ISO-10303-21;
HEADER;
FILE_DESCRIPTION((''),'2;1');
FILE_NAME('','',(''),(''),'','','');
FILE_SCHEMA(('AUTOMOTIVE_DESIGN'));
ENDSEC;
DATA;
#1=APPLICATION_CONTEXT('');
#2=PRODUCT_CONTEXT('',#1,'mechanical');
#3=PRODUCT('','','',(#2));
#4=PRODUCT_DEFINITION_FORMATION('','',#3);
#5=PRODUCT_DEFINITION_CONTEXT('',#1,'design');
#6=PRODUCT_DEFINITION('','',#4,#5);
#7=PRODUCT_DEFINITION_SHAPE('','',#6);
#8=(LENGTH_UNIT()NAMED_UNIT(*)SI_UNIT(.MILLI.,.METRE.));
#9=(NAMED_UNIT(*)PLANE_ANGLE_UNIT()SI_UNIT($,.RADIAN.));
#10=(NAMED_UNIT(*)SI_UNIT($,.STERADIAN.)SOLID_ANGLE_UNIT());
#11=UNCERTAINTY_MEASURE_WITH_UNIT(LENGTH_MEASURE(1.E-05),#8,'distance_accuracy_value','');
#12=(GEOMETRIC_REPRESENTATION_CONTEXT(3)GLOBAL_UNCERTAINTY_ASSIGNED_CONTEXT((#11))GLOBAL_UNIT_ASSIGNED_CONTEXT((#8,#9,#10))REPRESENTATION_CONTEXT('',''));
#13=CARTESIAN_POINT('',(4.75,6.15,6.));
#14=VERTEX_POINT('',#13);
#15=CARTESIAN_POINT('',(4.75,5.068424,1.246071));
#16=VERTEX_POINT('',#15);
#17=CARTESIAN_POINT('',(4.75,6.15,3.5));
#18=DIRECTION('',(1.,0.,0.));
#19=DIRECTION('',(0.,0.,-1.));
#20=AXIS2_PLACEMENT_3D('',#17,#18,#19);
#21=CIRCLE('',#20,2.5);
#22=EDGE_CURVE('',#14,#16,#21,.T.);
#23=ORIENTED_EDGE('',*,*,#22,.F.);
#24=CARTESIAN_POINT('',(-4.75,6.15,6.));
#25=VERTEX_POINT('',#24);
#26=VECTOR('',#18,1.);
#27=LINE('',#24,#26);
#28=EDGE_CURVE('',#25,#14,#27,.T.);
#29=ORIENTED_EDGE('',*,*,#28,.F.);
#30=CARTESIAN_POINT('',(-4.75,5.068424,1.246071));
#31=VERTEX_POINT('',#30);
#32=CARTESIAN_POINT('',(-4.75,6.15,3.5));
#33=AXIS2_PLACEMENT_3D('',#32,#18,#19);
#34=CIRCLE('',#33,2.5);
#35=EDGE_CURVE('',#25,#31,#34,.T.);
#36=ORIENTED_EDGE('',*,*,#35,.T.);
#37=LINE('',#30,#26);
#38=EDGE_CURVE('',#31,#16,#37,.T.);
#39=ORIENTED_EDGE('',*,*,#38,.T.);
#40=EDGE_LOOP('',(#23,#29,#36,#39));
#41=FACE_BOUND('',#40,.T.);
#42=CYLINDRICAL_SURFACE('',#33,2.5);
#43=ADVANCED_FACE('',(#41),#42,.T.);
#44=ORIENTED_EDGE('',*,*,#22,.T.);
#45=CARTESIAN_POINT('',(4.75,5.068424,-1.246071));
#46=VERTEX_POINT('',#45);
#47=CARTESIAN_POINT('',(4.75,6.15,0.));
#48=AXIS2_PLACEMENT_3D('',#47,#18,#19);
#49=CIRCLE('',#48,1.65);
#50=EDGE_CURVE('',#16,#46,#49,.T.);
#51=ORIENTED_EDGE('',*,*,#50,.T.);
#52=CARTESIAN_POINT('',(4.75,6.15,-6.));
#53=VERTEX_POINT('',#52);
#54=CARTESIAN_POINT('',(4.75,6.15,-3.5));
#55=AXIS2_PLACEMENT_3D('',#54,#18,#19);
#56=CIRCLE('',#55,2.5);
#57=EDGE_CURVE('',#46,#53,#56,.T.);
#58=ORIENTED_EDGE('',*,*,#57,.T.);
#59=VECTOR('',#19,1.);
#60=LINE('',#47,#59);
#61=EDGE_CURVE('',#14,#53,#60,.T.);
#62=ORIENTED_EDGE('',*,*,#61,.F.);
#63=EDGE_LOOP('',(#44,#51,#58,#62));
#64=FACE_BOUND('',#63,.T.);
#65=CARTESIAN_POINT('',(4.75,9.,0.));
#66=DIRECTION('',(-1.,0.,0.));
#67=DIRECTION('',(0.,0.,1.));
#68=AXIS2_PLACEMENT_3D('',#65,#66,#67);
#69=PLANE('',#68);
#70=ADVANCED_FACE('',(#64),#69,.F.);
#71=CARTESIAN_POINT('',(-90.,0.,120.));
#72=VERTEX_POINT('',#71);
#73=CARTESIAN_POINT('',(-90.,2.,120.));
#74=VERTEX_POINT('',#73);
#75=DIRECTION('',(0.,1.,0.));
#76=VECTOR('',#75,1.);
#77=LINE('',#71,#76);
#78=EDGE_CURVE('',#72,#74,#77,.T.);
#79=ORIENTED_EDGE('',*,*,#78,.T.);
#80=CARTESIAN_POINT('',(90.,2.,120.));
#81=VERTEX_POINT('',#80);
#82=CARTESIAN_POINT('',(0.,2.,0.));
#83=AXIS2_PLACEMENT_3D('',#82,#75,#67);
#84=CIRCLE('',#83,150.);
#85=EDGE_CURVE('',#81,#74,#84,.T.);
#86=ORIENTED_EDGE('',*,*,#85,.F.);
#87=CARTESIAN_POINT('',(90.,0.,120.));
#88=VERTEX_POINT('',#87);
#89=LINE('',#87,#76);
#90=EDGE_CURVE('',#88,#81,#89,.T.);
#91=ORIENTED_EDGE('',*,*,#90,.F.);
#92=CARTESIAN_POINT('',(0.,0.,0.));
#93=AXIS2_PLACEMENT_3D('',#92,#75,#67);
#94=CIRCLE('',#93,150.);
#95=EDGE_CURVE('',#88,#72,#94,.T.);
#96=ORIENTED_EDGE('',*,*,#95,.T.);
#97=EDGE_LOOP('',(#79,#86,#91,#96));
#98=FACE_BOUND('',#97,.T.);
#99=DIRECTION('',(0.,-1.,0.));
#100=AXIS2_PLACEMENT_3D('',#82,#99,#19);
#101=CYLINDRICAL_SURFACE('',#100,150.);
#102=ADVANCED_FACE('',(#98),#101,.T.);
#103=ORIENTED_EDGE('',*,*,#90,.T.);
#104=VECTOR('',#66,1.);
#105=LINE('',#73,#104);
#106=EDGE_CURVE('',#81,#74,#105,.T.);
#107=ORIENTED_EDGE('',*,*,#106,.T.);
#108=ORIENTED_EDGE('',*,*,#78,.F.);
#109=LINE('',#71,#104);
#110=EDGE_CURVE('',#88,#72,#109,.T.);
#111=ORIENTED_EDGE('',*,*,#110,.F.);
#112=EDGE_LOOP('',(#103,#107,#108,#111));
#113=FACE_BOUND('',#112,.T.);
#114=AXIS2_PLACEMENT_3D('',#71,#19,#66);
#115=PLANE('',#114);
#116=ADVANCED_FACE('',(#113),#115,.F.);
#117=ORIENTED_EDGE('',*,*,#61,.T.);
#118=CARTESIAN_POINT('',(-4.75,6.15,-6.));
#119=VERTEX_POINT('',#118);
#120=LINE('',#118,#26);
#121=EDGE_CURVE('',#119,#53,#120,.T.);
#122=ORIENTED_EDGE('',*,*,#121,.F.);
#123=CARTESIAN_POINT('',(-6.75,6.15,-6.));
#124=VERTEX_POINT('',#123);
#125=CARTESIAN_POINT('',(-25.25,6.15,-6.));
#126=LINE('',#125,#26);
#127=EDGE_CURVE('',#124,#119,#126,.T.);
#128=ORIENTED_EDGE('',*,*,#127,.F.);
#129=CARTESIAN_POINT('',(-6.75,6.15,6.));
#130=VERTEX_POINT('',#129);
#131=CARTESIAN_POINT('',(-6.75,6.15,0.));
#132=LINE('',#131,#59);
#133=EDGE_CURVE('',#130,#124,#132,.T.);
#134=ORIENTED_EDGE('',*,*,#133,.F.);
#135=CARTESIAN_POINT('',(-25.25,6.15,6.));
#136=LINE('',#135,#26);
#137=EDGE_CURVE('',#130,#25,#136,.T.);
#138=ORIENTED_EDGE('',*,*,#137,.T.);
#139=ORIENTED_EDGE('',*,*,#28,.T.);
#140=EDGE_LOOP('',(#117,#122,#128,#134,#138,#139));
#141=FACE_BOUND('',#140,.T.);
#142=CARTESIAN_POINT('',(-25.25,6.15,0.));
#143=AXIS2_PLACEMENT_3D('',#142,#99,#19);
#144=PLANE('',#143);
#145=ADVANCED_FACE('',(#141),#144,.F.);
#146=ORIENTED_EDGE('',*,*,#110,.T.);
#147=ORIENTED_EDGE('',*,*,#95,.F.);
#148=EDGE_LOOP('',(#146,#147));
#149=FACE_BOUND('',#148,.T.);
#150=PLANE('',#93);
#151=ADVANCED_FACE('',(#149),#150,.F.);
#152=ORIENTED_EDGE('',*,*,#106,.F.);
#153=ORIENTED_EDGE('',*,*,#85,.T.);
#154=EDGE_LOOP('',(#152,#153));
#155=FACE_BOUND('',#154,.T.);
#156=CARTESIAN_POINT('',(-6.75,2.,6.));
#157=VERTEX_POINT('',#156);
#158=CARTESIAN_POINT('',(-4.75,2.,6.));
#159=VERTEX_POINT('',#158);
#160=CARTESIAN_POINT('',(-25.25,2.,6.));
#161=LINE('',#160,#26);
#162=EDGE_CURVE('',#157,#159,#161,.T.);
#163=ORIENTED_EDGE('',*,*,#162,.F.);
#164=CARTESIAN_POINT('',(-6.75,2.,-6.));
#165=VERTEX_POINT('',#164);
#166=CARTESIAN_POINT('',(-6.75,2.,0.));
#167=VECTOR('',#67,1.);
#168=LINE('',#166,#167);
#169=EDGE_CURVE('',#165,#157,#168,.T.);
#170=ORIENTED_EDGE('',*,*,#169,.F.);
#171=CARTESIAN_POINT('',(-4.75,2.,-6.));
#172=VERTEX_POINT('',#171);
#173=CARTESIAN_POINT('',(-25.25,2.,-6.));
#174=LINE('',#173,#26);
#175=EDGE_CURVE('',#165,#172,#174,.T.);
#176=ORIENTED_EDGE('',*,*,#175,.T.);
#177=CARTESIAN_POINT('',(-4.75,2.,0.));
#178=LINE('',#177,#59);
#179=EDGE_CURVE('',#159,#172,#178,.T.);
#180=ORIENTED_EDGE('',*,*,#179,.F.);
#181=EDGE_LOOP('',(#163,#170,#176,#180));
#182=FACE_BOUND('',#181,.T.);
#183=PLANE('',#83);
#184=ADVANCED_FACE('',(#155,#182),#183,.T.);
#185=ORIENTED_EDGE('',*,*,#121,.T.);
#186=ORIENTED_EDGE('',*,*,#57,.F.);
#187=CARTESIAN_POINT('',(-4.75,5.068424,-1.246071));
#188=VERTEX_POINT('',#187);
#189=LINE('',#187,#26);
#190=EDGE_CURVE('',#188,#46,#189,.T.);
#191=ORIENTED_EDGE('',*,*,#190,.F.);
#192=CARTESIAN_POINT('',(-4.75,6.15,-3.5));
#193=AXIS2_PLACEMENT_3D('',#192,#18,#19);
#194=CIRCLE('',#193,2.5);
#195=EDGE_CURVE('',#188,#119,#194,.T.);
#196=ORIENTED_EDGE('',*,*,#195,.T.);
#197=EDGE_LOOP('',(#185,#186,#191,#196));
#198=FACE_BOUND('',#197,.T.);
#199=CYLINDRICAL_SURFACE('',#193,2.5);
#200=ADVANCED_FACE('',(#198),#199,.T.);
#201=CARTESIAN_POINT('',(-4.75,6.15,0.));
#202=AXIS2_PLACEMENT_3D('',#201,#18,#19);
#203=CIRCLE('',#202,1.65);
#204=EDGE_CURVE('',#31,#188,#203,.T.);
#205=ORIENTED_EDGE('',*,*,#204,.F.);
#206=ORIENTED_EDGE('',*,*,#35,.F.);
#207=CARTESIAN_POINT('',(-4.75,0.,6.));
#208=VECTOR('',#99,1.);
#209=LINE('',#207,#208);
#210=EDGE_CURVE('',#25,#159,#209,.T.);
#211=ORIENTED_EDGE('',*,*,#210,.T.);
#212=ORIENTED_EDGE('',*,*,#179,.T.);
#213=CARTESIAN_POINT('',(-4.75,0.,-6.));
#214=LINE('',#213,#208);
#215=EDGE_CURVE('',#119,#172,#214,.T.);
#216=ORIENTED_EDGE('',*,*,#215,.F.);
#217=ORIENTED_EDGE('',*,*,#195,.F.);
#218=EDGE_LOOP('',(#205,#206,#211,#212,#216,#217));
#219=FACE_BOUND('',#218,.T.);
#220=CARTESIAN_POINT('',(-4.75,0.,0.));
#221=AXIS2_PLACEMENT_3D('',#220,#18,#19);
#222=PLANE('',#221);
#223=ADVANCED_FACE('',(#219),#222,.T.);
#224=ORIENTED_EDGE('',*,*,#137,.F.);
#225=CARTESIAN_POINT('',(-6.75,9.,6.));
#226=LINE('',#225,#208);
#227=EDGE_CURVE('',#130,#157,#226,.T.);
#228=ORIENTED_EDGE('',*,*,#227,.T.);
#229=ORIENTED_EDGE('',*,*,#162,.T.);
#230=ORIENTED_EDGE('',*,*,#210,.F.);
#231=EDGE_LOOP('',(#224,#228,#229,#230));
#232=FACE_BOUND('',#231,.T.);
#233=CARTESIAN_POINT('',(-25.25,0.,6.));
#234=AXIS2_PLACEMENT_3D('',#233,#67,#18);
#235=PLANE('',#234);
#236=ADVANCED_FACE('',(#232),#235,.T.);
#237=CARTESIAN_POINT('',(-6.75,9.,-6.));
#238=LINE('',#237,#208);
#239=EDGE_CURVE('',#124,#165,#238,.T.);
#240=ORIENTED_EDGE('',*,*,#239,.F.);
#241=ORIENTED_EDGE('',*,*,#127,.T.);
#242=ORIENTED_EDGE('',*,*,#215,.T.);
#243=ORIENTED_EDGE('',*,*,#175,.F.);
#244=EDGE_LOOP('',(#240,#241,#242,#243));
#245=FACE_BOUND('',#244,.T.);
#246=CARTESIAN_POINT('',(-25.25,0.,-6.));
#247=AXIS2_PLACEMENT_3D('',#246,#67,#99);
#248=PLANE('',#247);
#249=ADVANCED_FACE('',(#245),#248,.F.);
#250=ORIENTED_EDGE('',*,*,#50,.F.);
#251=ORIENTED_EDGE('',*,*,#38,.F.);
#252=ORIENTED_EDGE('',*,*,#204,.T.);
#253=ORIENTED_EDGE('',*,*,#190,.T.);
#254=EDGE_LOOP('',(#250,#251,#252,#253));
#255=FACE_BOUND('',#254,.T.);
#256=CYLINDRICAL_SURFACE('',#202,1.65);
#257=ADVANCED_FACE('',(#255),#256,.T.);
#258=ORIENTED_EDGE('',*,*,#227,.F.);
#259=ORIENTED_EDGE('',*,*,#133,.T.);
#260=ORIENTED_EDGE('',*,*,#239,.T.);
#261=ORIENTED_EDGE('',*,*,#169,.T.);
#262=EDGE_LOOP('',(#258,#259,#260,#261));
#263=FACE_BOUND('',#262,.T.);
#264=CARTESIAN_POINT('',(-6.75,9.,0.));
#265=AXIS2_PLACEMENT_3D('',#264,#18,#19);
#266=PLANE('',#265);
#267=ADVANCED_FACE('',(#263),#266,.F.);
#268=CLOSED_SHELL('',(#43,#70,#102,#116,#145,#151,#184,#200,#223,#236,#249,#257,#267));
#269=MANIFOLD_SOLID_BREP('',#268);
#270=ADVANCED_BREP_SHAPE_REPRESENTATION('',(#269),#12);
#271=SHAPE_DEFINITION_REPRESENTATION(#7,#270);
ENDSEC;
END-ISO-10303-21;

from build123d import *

# Parameters (mm, degrees)
ESQUISSE1_R             = 150
BOSS_EXTRU_1_DEPTH      = 2
ESQUISSE2_W             = 11.5
ESQUISSE2_H             = 13.5
BOSS_EXTRU_2_DEPTH      = 7
ENL_V_MAT_EXTRU_2_DEPTH = 30
ENL_V_MAT_EXTRU_3_DEPTH = 9.5
ENL_V_MAT_EXTRU_4_DEPTH = 213.172624294


with BuildPart() as part:
    # Esquisse1 → Boss.-Extru.1 (new body)
    with BuildSketch(Plane(origin=(0, 0, 0), x_dir=(1, 0, 0), z_dir=(0, 1, 0))):
        Circle(ESQUISSE1_R)
    extrude(amount=BOSS_EXTRU_1_DEPTH)

    # Esquisse2 → Boss.-Extru.2 (add)
    with BuildSketch(Plane(origin=(0, 2, 0), x_dir=(1, 0, 0), z_dir=(0, 1, 0))):
        with Locations((-1, 0)):
            Rectangle(ESQUISSE2_W, ESQUISSE2_H)
    extrude(amount=BOSS_EXTRU_2_DEPTH)

    # Esquisse3 → Enlèv. mat.-Extru.2 (cut)
    with BuildSketch(Plane(origin=(4.75, 0, 0), x_dir=(0, 0, -1), z_dir=(1, 0, 0))):
        Polygon((-6, 2), (-6, 6.15), (-1.65, 6.15), (1.65, 6.15), (6, 6.15), (6, 2), (6.75, 2), (6.75, 9), (-6.75, 9), (-6.75, 2), align=None)
    extrude(amount=-ENL_V_MAT_EXTRU_2_DEPTH, mode=Mode.SUBTRACT)

    # Esquisse3<3> → Enlèv. mat.-Extru.3 (cut)
    with BuildSketch(Plane(origin=(4.75, 0, 0), x_dir=(0, 0, -1), z_dir=(1, 0, 0))):
        with BuildLine():
            ThreePointArc((-1.246071429, 5.0684243), (-4.054607326, 3.712293965), (-6, 6.15))
            Line((-6, 6.15), (-6, 2))
            Line((-6, 2), (6, 2))
            Line((6, 2), (6, 6.15))
            ThreePointArc((6, 6.15), (4.054607326, 3.712293965), (1.246071429, 5.0684243))
            ThreePointArc((1.246071429, 5.0684243), (0, 4.5), (-1.246071429, 5.0684243))
        make_face()
    extrude(amount=-ENL_V_MAT_EXTRU_3_DEPTH, mode=Mode.SUBTRACT)

    # Esquisse4 → Enlèv. mat.-Extru.4 (cut, through all)
    with BuildSketch(Plane(origin=(0, 2, 0), x_dir=(1, 0, 0), z_dir=(0, 1, 0))):
        with BuildLine():
            Line((-90, -120), (90, -120))
            ThreePointArc((90, -120), (0, -150), (-90, -120))
        make_face()
    extrude(amount=-ENL_V_MAT_EXTRU_4_DEPTH, mode=Mode.SUBTRACT)


solid = part.part
